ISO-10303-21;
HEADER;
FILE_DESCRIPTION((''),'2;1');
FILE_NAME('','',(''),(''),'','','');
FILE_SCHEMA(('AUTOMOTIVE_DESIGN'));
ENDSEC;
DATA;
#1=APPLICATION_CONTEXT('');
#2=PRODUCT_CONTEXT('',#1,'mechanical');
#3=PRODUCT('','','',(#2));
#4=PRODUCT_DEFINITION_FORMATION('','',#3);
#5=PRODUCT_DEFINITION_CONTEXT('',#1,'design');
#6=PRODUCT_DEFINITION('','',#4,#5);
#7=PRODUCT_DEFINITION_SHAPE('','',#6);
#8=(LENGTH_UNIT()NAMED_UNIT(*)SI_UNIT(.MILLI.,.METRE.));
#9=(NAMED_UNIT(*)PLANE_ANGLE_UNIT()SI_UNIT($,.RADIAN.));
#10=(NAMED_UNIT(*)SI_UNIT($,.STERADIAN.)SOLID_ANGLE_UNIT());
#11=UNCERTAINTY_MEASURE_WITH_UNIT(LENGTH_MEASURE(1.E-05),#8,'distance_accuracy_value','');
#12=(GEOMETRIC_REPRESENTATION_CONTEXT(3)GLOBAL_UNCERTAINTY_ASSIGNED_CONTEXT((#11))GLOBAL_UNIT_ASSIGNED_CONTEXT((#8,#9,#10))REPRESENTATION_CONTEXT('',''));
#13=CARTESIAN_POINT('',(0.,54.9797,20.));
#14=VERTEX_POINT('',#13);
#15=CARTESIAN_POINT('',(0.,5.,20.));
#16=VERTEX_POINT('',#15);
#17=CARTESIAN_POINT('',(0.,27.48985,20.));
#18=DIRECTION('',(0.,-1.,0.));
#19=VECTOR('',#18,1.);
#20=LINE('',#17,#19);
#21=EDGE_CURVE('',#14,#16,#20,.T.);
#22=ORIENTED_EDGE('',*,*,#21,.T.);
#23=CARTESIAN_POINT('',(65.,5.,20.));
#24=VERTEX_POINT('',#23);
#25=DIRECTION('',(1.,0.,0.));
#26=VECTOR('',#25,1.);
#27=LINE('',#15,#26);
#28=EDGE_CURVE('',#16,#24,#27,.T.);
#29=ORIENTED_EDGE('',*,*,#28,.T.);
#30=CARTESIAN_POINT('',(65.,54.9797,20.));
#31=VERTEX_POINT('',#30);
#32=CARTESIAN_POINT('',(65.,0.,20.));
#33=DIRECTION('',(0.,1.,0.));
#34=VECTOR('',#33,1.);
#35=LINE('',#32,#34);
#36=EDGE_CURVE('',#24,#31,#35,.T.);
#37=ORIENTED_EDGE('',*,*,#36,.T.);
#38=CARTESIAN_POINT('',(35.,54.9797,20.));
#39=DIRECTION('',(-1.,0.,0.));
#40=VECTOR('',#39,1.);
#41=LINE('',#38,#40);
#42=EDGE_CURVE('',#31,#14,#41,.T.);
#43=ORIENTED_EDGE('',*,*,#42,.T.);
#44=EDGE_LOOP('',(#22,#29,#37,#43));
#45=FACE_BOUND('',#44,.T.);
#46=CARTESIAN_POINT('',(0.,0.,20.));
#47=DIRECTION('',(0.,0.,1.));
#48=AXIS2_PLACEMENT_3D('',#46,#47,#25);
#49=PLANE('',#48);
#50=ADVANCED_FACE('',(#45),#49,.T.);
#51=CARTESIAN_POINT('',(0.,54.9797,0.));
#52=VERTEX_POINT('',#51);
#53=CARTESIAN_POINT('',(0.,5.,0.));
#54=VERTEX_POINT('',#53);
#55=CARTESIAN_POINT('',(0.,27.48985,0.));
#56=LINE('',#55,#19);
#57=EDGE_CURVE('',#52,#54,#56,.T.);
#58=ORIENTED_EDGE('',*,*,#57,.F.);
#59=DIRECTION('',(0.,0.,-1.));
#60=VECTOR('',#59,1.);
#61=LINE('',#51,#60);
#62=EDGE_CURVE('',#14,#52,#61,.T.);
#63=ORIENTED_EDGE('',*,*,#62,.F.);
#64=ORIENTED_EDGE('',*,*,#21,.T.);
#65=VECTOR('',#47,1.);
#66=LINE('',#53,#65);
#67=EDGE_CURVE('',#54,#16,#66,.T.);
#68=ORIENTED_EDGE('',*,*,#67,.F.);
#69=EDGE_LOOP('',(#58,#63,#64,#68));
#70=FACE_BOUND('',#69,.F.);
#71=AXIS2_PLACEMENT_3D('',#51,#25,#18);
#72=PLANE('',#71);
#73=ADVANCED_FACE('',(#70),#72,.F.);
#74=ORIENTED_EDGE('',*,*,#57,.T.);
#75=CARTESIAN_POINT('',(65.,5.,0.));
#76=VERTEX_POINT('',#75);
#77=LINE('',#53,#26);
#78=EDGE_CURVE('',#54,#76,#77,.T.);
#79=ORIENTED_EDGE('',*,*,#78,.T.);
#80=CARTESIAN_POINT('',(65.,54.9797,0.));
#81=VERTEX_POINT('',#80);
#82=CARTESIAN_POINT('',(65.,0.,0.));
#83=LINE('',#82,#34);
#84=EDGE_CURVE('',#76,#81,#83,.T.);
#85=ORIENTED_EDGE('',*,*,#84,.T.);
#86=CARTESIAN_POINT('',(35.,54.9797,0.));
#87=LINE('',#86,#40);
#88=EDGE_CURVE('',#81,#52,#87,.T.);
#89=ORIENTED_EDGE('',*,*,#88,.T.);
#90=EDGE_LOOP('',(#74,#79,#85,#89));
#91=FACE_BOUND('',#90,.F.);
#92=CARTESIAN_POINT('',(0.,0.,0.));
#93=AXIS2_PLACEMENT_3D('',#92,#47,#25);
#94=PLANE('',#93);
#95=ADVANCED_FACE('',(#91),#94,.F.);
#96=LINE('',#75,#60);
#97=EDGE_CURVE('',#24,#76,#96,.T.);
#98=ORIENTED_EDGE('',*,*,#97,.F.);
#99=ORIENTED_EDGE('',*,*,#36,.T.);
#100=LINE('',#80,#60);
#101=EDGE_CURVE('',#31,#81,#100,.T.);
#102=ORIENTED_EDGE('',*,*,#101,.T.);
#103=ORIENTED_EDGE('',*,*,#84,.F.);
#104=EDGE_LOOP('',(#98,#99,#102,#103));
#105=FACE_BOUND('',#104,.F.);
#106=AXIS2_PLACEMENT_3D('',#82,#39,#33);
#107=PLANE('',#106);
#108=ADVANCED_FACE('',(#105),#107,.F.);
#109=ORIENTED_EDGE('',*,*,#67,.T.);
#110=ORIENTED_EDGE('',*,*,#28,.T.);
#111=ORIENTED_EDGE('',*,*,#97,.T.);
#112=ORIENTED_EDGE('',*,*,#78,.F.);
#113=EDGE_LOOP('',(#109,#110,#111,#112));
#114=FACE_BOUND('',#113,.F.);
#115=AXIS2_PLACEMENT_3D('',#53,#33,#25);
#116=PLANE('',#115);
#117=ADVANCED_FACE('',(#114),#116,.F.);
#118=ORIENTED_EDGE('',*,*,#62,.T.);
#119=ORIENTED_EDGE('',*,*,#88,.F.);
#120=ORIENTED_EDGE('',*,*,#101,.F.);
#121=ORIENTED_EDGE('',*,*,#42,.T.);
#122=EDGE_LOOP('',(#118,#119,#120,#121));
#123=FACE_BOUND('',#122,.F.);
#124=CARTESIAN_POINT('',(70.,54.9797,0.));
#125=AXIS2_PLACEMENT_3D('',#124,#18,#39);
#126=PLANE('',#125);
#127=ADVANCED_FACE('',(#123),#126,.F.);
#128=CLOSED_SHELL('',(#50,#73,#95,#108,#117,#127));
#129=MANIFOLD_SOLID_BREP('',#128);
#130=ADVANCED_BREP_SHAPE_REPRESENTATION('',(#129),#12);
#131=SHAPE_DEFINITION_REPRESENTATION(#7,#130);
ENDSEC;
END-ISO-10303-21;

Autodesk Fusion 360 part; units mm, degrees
sketch "Sketch1" plane through (0, 0, 0) normal (0, 0, 1) x (1, 0, 0)
  line L0 (0, 0) -> (70, 0)
  line L1 (70, 0) -> (70, 54.9797)
  line L2 (70, 54.9797) -> (0, 54.9797)
  line L3 (0, 54.9797) -> (0, 0)
  dimension "d1" = 70
extrude "Extrude1" add sketch "Sketch1" along normal blind 20
move_face "OffsetFaces1" offset -5 2 faces at (70, 18.3266, 6.6667) (23.3333, 0, 6.6667)
